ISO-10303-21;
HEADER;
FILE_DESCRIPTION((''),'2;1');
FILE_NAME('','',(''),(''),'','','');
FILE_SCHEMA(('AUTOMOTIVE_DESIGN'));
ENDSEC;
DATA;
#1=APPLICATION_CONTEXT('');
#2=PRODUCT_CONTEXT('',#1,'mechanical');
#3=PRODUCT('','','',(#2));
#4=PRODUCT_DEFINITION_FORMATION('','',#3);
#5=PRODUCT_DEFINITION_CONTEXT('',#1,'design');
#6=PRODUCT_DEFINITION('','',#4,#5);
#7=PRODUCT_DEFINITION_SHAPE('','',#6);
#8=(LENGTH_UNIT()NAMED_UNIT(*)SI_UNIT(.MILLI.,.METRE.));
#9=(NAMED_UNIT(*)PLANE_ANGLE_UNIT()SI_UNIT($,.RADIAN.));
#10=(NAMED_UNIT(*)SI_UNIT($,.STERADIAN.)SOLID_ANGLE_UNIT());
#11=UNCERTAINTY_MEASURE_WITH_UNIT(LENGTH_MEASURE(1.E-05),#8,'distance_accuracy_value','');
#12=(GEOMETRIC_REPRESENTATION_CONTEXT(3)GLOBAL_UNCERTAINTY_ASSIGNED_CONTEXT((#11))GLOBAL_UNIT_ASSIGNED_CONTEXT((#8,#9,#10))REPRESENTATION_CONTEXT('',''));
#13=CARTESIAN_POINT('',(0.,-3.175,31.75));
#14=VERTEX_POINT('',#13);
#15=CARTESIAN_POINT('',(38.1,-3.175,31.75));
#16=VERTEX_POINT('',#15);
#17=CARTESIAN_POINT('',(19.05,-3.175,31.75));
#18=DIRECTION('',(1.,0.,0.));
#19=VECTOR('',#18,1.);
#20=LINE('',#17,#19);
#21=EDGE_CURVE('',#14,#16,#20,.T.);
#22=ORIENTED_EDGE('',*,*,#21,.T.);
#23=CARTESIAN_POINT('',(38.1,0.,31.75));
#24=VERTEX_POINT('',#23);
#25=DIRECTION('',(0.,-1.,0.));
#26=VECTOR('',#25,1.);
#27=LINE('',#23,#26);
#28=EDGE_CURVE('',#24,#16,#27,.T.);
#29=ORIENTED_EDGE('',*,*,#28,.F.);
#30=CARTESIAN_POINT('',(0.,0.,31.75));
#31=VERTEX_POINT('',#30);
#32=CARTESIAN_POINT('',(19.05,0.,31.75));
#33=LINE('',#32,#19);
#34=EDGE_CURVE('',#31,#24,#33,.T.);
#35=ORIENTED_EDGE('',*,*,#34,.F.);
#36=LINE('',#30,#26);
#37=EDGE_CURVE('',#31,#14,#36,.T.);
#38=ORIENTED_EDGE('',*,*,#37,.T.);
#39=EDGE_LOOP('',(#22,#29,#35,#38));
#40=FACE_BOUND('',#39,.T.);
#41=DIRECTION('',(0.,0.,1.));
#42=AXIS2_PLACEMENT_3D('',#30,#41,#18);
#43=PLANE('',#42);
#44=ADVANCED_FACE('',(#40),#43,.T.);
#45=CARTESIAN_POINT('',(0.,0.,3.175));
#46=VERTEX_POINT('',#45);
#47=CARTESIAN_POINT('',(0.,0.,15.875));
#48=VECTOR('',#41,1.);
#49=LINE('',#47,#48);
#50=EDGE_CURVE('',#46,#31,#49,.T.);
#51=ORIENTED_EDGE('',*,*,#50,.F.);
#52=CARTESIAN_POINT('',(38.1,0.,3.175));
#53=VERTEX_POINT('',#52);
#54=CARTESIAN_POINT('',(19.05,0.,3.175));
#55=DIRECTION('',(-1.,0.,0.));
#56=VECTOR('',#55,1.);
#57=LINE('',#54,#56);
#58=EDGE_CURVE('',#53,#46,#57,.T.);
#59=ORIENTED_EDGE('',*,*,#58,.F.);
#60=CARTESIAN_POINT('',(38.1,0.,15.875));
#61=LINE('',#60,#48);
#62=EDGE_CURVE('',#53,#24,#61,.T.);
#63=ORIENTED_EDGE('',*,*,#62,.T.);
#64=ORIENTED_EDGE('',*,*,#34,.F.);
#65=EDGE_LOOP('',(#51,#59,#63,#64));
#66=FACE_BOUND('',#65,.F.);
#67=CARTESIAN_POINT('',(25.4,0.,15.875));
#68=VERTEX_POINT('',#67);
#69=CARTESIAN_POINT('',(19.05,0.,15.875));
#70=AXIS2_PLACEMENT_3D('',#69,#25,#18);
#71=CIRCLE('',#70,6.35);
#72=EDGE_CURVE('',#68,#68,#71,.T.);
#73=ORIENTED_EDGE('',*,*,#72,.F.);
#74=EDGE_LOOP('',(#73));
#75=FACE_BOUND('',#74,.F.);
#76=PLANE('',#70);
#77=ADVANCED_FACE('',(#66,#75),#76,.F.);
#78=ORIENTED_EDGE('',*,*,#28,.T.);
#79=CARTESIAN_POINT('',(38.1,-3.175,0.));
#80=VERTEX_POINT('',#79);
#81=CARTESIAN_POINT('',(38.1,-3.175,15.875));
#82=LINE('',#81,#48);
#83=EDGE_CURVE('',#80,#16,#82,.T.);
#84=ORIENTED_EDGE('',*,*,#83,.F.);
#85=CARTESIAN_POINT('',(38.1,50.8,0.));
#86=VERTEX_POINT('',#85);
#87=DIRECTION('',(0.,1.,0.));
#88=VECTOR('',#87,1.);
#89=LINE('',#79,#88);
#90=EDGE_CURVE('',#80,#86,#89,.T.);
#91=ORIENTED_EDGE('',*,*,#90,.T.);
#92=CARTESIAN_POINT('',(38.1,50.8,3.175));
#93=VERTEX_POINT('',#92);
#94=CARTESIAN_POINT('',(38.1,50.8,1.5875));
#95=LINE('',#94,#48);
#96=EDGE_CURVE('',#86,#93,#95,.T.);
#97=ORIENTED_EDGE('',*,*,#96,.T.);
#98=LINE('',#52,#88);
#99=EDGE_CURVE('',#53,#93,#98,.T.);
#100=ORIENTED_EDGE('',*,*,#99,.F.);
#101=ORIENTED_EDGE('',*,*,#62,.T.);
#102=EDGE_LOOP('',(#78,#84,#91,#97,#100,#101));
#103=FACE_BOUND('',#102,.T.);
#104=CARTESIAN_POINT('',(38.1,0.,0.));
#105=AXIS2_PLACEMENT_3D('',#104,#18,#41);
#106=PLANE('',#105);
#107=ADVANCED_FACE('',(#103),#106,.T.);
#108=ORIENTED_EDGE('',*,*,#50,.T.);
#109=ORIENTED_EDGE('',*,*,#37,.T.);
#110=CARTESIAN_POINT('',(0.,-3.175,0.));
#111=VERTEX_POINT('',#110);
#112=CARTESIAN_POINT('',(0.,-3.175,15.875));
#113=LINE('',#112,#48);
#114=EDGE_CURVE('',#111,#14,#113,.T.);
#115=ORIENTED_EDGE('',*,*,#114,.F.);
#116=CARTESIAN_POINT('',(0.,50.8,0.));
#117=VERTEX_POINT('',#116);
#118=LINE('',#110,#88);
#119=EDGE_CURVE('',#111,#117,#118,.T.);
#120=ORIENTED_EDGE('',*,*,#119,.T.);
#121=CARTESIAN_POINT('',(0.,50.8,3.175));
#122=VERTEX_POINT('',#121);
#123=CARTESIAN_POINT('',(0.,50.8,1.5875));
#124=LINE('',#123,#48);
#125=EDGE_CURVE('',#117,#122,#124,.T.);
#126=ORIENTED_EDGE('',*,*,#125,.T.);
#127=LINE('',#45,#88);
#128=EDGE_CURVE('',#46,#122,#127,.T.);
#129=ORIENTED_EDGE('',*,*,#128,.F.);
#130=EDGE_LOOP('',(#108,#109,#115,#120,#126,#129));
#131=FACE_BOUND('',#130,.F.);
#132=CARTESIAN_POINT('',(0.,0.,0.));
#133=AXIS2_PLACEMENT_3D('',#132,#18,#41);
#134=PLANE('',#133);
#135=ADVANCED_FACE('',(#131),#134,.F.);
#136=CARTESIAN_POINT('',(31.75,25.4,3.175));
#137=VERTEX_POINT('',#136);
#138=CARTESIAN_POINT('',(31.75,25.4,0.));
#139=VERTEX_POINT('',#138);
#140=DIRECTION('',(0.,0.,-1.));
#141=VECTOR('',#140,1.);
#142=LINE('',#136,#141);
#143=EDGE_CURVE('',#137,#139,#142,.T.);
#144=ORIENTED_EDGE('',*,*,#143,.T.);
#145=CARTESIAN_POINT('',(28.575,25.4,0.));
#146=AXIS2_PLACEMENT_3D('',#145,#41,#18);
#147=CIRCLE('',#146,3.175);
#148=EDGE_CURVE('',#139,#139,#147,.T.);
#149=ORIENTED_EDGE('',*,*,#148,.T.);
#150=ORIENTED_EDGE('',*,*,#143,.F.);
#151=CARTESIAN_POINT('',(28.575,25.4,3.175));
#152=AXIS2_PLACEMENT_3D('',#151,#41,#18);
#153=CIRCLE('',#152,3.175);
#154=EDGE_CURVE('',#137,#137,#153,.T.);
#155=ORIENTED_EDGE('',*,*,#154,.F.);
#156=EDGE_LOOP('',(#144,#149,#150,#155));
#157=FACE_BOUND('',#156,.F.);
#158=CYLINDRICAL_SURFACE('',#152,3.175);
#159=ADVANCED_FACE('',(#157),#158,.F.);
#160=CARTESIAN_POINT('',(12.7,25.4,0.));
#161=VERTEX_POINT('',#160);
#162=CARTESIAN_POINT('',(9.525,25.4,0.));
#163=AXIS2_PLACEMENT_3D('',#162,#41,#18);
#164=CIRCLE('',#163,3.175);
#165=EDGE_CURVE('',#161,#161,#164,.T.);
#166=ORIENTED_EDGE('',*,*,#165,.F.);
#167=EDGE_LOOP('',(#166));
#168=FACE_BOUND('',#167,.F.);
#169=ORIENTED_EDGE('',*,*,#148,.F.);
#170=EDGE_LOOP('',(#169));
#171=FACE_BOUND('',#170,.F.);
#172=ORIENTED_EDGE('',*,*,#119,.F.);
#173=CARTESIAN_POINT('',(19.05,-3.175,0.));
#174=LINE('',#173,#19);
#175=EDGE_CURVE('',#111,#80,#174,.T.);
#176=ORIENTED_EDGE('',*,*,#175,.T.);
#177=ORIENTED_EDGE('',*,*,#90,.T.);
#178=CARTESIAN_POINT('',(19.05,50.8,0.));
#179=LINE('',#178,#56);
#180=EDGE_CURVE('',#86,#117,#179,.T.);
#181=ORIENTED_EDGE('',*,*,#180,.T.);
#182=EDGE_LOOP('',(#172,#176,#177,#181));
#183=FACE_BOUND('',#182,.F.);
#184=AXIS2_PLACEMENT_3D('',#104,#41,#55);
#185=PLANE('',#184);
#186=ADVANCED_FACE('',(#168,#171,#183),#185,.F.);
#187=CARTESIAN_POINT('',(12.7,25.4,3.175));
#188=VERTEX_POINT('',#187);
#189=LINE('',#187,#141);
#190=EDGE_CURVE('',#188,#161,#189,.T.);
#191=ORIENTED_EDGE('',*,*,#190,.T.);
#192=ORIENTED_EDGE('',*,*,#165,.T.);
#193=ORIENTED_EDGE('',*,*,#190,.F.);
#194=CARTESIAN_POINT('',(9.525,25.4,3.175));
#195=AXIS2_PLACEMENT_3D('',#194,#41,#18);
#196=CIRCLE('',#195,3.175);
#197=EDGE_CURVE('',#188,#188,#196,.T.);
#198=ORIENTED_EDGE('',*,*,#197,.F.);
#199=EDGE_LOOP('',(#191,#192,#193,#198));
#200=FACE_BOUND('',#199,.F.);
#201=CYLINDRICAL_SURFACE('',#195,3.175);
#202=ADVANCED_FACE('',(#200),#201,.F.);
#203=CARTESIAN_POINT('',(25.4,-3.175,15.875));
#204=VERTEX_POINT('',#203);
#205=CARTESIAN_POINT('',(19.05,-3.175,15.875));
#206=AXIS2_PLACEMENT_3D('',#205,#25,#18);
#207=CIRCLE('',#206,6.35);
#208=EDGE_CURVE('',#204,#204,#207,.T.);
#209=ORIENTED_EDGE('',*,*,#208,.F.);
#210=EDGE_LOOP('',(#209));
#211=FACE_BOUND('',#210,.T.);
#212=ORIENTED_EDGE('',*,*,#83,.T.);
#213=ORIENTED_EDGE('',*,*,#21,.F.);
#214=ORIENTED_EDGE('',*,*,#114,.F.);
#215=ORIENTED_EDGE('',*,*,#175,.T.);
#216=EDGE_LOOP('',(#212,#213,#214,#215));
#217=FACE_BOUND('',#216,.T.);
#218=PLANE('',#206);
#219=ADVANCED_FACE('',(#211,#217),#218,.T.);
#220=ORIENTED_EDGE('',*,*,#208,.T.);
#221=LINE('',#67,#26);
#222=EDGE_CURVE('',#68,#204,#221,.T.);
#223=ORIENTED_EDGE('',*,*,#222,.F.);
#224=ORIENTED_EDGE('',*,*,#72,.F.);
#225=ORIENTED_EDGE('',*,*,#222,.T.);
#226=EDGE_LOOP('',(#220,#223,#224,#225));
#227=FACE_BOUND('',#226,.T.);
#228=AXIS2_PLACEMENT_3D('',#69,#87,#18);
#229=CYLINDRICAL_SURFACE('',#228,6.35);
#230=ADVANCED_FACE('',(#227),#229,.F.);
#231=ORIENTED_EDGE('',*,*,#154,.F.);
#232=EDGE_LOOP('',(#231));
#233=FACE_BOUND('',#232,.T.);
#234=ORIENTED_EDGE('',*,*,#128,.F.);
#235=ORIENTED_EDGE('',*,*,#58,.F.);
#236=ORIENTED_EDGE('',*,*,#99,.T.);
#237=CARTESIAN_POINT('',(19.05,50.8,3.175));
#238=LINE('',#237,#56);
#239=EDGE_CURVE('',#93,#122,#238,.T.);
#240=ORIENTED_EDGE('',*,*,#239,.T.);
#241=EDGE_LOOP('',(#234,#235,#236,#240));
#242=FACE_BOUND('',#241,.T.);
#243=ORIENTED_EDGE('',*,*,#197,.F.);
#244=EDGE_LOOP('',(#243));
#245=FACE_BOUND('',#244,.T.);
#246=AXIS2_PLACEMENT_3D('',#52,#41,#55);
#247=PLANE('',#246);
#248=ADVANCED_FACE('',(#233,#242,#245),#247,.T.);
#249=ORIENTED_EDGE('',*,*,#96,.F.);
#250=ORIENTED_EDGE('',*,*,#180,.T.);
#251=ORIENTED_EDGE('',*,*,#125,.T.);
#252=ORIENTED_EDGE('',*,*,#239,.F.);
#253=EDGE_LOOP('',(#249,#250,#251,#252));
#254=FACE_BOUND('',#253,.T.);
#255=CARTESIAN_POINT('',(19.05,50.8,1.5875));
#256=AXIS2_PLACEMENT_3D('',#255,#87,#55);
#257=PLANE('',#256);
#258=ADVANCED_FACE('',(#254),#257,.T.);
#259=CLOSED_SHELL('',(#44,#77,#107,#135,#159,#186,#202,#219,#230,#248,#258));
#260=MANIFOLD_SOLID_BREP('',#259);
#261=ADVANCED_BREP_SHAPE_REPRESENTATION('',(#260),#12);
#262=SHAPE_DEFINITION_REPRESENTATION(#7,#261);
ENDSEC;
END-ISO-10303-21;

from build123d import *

# Parameters (mm, degrees)
F0_W     = 38.1
F0_H     = 31.75
F0_R     = 6.35
F1_DEPTH = 3.175
F2_W     = 38.1
F2_H     = 3.175
F3_DEPTH = 50.8
F4_R     = 3.175
F5_DEPTH = 3.176


with BuildPart() as f1:
    # F0 (on Front) → F1 (new body)
    with BuildSketch(Plane.XZ):
        with Locations((19.05, 15.875)):
            Rectangle(F0_W, F0_H)
        with Locations((19.05, 15.875)):
            Circle(F0_R, mode=Mode.SUBTRACT)
    extrude(amount=F1_DEPTH)

    # F2 (on face) → F3 (join)
    with BuildSketch(Plane(origin=(0, 0, 0), x_dir=(-1, 0, 0), z_dir=(0, 1, 0))):
        with Locations((-19.05, 1.5875)):
            Rectangle(F2_W, F2_H)
    extrude(amount=F3_DEPTH)

    # F4 (on face) → F5 (cut, through all)
    with BuildSketch(Plane.XY.offset(3.175)):
        with Locations((28.575, 25.4)):
            Circle(F4_R)
        with Locations((9.525, 25.4)):
            Circle(F4_R)
    extrude(amount=-F5_DEPTH, mode=Mode.SUBTRACT)


solid = f1.part
